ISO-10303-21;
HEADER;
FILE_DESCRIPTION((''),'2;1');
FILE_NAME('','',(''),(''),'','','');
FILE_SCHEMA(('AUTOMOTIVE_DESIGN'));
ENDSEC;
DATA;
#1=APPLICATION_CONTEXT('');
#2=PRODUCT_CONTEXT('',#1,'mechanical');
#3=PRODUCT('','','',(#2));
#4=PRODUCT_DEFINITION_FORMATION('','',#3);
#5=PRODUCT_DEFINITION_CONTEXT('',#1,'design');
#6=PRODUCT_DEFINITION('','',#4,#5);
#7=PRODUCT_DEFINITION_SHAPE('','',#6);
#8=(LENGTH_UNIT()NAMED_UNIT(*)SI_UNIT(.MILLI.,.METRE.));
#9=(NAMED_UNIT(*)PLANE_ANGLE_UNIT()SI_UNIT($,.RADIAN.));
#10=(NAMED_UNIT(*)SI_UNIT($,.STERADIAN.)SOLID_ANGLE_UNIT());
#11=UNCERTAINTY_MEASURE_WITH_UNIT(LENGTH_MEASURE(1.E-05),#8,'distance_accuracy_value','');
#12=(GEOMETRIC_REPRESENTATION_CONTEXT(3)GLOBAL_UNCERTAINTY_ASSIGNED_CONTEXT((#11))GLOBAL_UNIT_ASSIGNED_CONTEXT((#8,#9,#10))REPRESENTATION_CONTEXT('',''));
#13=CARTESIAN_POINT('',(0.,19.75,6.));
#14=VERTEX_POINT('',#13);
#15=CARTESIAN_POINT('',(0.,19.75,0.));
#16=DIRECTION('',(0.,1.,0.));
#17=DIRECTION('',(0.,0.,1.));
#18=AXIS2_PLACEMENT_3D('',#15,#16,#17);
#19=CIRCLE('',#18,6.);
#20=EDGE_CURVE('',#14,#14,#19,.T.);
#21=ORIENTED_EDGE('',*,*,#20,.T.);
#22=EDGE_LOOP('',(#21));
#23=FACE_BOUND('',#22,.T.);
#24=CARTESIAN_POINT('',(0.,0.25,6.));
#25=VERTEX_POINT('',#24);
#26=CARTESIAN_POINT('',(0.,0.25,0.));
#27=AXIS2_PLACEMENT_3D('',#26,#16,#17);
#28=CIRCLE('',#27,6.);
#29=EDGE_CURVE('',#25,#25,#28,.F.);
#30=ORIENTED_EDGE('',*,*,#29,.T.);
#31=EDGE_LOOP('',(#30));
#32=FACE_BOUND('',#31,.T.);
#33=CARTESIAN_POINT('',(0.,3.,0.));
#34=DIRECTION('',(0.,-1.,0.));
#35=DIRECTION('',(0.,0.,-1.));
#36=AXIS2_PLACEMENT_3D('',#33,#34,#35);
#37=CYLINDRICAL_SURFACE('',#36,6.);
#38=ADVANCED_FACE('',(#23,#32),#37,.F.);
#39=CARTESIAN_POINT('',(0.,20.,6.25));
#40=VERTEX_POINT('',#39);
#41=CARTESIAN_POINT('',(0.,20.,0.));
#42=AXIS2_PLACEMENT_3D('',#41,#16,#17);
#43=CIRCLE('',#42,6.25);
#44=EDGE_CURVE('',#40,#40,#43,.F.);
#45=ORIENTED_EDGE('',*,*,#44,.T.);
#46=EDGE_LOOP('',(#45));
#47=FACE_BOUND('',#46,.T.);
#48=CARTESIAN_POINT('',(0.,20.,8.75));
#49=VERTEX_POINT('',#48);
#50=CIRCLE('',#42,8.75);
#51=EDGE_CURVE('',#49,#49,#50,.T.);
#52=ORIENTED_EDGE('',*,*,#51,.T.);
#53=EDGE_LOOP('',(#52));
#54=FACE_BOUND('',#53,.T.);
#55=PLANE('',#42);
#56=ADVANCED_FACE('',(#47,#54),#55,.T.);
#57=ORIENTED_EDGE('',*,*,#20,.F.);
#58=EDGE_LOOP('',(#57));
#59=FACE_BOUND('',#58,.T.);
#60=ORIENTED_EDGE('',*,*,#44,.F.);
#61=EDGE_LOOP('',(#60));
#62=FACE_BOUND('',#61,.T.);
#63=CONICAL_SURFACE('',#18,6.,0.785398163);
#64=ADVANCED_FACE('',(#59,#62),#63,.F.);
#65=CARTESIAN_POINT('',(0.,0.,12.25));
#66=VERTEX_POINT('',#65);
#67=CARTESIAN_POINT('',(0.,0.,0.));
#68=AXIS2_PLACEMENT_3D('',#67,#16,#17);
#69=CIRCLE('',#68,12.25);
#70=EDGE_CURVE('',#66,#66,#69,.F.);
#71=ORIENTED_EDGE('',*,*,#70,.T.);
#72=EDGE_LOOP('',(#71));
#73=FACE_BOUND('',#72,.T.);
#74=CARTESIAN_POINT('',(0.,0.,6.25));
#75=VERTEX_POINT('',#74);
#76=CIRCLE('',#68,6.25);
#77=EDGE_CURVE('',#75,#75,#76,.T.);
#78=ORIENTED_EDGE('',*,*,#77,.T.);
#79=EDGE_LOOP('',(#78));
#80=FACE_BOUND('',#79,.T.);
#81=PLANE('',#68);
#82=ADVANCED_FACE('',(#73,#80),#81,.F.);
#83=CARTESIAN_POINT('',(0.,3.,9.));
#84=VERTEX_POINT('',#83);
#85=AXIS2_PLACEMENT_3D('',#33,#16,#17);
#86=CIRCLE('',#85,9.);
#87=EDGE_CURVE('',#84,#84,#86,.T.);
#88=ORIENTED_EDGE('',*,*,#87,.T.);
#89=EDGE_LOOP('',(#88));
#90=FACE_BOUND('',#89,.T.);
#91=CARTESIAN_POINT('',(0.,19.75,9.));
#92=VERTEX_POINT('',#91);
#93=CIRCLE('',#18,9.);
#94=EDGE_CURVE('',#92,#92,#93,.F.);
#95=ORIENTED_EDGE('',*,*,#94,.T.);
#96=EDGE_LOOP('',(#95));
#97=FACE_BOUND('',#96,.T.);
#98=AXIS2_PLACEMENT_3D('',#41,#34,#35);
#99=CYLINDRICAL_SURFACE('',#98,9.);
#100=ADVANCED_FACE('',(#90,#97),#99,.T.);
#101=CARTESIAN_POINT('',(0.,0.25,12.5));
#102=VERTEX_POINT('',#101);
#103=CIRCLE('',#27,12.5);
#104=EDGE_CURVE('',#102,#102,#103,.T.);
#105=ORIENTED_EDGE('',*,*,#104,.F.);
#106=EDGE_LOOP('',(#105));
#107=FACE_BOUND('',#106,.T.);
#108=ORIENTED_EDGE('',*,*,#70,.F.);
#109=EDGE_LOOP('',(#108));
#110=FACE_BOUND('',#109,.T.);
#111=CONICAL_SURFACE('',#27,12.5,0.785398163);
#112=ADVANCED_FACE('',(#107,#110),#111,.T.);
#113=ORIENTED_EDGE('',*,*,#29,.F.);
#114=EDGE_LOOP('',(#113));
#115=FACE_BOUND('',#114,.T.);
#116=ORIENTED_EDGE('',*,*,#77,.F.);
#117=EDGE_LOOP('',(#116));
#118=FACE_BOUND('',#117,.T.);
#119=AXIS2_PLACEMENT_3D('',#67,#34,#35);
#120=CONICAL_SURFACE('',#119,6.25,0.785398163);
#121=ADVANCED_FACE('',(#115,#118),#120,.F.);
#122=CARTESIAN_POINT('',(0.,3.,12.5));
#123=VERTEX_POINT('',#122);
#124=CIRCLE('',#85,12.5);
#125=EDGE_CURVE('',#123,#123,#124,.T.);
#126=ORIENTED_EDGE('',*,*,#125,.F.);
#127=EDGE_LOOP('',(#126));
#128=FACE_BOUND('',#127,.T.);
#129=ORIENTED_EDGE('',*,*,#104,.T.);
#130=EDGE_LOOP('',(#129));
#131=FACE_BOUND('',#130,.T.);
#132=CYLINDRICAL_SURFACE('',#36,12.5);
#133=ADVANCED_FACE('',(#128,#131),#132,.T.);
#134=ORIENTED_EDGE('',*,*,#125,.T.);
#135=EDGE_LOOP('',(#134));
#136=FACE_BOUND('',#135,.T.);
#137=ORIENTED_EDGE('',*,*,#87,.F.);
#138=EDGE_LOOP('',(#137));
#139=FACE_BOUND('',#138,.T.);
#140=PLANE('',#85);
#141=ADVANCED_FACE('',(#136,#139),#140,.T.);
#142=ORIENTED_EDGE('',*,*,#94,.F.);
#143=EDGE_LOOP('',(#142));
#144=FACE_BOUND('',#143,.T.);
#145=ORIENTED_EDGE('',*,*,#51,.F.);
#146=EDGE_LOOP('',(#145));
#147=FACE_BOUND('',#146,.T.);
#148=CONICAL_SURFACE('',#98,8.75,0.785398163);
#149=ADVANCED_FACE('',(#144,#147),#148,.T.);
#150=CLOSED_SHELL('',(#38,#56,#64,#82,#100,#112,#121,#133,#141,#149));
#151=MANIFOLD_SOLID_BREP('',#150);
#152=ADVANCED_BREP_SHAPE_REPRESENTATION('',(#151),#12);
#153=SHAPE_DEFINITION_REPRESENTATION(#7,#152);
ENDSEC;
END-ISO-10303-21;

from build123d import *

# Parameters (mm, degrees)
SKETCH_1_R      = 12.5
SKETCH_1_R_2    = 6
EXTRUDE_1_DEPTH = 3
SKETCH_2_R      = 9
SKETCH_2_R_2    = 6
EXTRUDE_2_DEPTH = 17
CHAMFER_1_SIZE  = 0.25


with BuildPart() as part:
    # 草图1 → 凸台-拉伸1 (new body)
    with BuildSketch(Plane(origin=(0, 0, 0), x_dir=(1, 0, 0), z_dir=(0, 1, 0))):
        with Locations(Location((0, 0, 0), (0, 0, 270))):
            Circle(SKETCH_1_R)
        with Locations(Location((0, 0, 0), (0, 0, 270))):
            Circle(SKETCH_1_R_2, mode=Mode.SUBTRACT)
    extrude(amount=EXTRUDE_1_DEPTH)

    # 草图2 → 凸台-拉伸2 (add)
    with BuildSketch(Plane(origin=(0, 3, 0), x_dir=(1, 0, 0), z_dir=(0, 1, 0))):
        with Locations(Location((0, 0, 0), (0, 0, 270))):
            Circle(SKETCH_2_R)
        with Locations(Location((0, 0, 0), (0, 0, 270))):
            Circle(SKETCH_2_R_2, mode=Mode.SUBTRACT)
    extrude(amount=EXTRUDE_2_DEPTH)

    # 倒角1
    chamfer_1_edges = [part.edges().sort_by_distance(p)[0] for p in [
        (0, 20, -9),
        (0, 20, -6),
        (0, 0, -12.5),
        (0, 0, -6),
    ]]
    chamfer(chamfer_1_edges, length=CHAMFER_1_SIZE)


solid = part.part
